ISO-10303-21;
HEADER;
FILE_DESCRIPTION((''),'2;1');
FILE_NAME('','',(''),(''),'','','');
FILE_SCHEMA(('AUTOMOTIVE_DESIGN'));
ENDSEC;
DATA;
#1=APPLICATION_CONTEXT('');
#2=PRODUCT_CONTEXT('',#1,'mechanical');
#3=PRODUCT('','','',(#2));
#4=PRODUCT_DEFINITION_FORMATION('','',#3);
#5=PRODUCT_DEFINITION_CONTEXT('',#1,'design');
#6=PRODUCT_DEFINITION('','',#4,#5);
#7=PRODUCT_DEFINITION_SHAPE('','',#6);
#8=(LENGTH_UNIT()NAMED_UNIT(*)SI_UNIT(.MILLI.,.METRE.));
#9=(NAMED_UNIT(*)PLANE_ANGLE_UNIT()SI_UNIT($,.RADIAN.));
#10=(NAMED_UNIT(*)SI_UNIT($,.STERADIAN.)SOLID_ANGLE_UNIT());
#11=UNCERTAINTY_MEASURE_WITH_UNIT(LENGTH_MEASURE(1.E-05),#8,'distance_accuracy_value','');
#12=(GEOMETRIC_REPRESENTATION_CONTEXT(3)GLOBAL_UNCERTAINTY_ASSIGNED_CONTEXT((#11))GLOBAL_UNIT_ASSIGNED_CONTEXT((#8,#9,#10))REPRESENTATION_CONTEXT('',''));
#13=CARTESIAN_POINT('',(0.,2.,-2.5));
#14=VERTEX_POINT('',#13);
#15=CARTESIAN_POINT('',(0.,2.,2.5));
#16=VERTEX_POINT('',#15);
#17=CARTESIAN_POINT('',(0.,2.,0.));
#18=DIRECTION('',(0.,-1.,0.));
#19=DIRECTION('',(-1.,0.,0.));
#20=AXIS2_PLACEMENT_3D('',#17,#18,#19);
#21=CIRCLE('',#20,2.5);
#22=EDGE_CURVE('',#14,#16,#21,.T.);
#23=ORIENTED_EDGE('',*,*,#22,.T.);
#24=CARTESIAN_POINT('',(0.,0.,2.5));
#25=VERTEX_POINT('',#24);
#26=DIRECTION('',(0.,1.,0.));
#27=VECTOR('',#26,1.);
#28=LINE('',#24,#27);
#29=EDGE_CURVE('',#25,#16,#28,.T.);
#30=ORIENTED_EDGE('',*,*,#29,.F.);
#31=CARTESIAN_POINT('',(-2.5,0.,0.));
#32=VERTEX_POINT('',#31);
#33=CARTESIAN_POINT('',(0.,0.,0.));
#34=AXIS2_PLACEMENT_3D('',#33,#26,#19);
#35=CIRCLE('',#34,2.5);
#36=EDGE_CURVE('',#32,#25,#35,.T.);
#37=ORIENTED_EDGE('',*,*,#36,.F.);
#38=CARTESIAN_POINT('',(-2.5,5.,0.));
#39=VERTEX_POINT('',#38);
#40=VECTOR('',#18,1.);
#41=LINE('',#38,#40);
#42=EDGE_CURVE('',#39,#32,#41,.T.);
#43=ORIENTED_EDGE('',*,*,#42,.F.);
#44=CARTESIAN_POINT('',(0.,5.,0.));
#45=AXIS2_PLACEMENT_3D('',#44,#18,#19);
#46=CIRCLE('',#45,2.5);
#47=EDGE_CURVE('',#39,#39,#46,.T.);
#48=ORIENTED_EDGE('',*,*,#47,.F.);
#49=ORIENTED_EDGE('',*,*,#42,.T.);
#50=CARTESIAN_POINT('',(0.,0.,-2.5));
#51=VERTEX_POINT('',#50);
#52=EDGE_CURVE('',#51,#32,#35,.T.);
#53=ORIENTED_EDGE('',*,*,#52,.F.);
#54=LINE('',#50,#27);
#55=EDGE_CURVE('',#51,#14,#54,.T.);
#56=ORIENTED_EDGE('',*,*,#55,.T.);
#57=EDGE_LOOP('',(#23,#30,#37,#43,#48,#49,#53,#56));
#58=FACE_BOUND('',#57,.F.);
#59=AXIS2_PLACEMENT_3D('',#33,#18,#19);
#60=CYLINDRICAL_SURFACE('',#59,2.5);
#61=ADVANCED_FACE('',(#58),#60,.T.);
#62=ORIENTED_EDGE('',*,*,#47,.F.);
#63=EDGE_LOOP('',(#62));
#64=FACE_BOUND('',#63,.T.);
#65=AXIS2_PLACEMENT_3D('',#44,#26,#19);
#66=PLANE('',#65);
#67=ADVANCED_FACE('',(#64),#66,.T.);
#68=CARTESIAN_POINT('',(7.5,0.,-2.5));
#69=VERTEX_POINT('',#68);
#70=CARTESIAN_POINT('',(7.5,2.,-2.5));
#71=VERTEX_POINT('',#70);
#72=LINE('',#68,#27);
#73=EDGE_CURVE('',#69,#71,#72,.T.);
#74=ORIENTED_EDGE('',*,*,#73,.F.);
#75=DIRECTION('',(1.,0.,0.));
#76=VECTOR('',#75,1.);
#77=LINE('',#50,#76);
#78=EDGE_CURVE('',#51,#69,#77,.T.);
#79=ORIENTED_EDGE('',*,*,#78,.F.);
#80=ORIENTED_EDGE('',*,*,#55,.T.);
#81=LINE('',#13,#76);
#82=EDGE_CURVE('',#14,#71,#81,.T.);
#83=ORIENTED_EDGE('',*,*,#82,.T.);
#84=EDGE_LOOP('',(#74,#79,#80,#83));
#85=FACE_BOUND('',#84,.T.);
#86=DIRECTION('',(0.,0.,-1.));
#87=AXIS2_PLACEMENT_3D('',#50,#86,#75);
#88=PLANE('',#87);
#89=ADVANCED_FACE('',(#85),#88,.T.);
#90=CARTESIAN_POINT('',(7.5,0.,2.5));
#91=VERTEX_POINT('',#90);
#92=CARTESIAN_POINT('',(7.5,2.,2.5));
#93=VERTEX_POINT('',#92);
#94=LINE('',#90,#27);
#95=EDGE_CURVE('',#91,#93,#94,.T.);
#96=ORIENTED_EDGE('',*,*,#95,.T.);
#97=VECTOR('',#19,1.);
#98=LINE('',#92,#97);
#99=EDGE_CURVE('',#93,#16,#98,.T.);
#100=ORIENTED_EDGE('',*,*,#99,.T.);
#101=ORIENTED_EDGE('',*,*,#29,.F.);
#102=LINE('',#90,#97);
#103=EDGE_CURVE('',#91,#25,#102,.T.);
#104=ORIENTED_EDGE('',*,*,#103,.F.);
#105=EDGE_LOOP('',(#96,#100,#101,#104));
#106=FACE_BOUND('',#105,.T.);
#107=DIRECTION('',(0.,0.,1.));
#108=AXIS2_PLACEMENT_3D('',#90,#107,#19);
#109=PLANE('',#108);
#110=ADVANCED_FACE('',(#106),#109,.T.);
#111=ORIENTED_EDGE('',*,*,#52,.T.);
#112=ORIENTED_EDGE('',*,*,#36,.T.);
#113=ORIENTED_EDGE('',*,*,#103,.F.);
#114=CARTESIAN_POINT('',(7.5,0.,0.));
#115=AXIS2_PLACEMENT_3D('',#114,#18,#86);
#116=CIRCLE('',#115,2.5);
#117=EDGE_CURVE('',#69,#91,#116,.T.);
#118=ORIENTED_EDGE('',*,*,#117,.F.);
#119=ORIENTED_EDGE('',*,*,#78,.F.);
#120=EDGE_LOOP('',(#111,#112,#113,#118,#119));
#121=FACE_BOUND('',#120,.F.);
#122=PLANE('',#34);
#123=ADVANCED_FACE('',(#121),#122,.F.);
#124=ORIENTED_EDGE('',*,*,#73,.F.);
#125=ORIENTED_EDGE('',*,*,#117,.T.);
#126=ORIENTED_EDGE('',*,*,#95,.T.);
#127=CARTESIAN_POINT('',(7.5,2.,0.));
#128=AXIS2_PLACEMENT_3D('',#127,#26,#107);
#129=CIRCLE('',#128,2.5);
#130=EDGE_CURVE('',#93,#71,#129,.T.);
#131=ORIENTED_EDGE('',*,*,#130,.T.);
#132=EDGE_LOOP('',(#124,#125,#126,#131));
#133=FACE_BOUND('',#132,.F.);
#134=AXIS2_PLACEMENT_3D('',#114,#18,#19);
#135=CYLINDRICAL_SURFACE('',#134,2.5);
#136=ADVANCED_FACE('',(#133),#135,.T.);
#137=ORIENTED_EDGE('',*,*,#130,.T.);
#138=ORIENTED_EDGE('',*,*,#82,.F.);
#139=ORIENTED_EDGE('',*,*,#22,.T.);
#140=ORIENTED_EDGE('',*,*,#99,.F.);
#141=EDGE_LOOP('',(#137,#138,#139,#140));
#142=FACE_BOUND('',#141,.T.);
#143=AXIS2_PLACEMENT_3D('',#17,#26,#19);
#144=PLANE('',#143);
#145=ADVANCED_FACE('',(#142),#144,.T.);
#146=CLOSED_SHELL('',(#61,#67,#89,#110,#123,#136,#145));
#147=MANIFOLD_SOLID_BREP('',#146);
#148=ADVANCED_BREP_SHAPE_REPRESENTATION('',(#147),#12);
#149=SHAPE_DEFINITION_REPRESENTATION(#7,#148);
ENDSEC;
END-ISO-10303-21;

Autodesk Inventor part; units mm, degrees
sketch "Sketch1" plane through (0, 0, 0) normal (0, 1, 0) x (-1, 0, 0)
  circle A0 centre (0, 0) radius 2.5
  line L0 (0, -2.5) -> (-7.5, -2.5)
  line L1 (-7.5, -2.5) -> (-7.5, 2.5)
  line L2 (-7.5, 2.5) -> (0, 2.5)
  circle A1 centre (-7.5, 0) radius 2.5
  line L3 (-12.325, 0) -> (4.825, 0) projected
  point P0 (-7.5, 2.5)
  point P1 (2.5, 0)
  dimension "d14" = 5
  dimension "d0" = 5
  dimension "d1" = 7.5
  dimension "d13" = 7.5
extrude "Extrusion1" add sketch "Sketch1" along normal blind 5 contours L3 A0 | A0 L3
extrude "Extrusion2" add sketch "Sketch1" along normal blind 2
properties part number "Roof_Pin_Clip"
